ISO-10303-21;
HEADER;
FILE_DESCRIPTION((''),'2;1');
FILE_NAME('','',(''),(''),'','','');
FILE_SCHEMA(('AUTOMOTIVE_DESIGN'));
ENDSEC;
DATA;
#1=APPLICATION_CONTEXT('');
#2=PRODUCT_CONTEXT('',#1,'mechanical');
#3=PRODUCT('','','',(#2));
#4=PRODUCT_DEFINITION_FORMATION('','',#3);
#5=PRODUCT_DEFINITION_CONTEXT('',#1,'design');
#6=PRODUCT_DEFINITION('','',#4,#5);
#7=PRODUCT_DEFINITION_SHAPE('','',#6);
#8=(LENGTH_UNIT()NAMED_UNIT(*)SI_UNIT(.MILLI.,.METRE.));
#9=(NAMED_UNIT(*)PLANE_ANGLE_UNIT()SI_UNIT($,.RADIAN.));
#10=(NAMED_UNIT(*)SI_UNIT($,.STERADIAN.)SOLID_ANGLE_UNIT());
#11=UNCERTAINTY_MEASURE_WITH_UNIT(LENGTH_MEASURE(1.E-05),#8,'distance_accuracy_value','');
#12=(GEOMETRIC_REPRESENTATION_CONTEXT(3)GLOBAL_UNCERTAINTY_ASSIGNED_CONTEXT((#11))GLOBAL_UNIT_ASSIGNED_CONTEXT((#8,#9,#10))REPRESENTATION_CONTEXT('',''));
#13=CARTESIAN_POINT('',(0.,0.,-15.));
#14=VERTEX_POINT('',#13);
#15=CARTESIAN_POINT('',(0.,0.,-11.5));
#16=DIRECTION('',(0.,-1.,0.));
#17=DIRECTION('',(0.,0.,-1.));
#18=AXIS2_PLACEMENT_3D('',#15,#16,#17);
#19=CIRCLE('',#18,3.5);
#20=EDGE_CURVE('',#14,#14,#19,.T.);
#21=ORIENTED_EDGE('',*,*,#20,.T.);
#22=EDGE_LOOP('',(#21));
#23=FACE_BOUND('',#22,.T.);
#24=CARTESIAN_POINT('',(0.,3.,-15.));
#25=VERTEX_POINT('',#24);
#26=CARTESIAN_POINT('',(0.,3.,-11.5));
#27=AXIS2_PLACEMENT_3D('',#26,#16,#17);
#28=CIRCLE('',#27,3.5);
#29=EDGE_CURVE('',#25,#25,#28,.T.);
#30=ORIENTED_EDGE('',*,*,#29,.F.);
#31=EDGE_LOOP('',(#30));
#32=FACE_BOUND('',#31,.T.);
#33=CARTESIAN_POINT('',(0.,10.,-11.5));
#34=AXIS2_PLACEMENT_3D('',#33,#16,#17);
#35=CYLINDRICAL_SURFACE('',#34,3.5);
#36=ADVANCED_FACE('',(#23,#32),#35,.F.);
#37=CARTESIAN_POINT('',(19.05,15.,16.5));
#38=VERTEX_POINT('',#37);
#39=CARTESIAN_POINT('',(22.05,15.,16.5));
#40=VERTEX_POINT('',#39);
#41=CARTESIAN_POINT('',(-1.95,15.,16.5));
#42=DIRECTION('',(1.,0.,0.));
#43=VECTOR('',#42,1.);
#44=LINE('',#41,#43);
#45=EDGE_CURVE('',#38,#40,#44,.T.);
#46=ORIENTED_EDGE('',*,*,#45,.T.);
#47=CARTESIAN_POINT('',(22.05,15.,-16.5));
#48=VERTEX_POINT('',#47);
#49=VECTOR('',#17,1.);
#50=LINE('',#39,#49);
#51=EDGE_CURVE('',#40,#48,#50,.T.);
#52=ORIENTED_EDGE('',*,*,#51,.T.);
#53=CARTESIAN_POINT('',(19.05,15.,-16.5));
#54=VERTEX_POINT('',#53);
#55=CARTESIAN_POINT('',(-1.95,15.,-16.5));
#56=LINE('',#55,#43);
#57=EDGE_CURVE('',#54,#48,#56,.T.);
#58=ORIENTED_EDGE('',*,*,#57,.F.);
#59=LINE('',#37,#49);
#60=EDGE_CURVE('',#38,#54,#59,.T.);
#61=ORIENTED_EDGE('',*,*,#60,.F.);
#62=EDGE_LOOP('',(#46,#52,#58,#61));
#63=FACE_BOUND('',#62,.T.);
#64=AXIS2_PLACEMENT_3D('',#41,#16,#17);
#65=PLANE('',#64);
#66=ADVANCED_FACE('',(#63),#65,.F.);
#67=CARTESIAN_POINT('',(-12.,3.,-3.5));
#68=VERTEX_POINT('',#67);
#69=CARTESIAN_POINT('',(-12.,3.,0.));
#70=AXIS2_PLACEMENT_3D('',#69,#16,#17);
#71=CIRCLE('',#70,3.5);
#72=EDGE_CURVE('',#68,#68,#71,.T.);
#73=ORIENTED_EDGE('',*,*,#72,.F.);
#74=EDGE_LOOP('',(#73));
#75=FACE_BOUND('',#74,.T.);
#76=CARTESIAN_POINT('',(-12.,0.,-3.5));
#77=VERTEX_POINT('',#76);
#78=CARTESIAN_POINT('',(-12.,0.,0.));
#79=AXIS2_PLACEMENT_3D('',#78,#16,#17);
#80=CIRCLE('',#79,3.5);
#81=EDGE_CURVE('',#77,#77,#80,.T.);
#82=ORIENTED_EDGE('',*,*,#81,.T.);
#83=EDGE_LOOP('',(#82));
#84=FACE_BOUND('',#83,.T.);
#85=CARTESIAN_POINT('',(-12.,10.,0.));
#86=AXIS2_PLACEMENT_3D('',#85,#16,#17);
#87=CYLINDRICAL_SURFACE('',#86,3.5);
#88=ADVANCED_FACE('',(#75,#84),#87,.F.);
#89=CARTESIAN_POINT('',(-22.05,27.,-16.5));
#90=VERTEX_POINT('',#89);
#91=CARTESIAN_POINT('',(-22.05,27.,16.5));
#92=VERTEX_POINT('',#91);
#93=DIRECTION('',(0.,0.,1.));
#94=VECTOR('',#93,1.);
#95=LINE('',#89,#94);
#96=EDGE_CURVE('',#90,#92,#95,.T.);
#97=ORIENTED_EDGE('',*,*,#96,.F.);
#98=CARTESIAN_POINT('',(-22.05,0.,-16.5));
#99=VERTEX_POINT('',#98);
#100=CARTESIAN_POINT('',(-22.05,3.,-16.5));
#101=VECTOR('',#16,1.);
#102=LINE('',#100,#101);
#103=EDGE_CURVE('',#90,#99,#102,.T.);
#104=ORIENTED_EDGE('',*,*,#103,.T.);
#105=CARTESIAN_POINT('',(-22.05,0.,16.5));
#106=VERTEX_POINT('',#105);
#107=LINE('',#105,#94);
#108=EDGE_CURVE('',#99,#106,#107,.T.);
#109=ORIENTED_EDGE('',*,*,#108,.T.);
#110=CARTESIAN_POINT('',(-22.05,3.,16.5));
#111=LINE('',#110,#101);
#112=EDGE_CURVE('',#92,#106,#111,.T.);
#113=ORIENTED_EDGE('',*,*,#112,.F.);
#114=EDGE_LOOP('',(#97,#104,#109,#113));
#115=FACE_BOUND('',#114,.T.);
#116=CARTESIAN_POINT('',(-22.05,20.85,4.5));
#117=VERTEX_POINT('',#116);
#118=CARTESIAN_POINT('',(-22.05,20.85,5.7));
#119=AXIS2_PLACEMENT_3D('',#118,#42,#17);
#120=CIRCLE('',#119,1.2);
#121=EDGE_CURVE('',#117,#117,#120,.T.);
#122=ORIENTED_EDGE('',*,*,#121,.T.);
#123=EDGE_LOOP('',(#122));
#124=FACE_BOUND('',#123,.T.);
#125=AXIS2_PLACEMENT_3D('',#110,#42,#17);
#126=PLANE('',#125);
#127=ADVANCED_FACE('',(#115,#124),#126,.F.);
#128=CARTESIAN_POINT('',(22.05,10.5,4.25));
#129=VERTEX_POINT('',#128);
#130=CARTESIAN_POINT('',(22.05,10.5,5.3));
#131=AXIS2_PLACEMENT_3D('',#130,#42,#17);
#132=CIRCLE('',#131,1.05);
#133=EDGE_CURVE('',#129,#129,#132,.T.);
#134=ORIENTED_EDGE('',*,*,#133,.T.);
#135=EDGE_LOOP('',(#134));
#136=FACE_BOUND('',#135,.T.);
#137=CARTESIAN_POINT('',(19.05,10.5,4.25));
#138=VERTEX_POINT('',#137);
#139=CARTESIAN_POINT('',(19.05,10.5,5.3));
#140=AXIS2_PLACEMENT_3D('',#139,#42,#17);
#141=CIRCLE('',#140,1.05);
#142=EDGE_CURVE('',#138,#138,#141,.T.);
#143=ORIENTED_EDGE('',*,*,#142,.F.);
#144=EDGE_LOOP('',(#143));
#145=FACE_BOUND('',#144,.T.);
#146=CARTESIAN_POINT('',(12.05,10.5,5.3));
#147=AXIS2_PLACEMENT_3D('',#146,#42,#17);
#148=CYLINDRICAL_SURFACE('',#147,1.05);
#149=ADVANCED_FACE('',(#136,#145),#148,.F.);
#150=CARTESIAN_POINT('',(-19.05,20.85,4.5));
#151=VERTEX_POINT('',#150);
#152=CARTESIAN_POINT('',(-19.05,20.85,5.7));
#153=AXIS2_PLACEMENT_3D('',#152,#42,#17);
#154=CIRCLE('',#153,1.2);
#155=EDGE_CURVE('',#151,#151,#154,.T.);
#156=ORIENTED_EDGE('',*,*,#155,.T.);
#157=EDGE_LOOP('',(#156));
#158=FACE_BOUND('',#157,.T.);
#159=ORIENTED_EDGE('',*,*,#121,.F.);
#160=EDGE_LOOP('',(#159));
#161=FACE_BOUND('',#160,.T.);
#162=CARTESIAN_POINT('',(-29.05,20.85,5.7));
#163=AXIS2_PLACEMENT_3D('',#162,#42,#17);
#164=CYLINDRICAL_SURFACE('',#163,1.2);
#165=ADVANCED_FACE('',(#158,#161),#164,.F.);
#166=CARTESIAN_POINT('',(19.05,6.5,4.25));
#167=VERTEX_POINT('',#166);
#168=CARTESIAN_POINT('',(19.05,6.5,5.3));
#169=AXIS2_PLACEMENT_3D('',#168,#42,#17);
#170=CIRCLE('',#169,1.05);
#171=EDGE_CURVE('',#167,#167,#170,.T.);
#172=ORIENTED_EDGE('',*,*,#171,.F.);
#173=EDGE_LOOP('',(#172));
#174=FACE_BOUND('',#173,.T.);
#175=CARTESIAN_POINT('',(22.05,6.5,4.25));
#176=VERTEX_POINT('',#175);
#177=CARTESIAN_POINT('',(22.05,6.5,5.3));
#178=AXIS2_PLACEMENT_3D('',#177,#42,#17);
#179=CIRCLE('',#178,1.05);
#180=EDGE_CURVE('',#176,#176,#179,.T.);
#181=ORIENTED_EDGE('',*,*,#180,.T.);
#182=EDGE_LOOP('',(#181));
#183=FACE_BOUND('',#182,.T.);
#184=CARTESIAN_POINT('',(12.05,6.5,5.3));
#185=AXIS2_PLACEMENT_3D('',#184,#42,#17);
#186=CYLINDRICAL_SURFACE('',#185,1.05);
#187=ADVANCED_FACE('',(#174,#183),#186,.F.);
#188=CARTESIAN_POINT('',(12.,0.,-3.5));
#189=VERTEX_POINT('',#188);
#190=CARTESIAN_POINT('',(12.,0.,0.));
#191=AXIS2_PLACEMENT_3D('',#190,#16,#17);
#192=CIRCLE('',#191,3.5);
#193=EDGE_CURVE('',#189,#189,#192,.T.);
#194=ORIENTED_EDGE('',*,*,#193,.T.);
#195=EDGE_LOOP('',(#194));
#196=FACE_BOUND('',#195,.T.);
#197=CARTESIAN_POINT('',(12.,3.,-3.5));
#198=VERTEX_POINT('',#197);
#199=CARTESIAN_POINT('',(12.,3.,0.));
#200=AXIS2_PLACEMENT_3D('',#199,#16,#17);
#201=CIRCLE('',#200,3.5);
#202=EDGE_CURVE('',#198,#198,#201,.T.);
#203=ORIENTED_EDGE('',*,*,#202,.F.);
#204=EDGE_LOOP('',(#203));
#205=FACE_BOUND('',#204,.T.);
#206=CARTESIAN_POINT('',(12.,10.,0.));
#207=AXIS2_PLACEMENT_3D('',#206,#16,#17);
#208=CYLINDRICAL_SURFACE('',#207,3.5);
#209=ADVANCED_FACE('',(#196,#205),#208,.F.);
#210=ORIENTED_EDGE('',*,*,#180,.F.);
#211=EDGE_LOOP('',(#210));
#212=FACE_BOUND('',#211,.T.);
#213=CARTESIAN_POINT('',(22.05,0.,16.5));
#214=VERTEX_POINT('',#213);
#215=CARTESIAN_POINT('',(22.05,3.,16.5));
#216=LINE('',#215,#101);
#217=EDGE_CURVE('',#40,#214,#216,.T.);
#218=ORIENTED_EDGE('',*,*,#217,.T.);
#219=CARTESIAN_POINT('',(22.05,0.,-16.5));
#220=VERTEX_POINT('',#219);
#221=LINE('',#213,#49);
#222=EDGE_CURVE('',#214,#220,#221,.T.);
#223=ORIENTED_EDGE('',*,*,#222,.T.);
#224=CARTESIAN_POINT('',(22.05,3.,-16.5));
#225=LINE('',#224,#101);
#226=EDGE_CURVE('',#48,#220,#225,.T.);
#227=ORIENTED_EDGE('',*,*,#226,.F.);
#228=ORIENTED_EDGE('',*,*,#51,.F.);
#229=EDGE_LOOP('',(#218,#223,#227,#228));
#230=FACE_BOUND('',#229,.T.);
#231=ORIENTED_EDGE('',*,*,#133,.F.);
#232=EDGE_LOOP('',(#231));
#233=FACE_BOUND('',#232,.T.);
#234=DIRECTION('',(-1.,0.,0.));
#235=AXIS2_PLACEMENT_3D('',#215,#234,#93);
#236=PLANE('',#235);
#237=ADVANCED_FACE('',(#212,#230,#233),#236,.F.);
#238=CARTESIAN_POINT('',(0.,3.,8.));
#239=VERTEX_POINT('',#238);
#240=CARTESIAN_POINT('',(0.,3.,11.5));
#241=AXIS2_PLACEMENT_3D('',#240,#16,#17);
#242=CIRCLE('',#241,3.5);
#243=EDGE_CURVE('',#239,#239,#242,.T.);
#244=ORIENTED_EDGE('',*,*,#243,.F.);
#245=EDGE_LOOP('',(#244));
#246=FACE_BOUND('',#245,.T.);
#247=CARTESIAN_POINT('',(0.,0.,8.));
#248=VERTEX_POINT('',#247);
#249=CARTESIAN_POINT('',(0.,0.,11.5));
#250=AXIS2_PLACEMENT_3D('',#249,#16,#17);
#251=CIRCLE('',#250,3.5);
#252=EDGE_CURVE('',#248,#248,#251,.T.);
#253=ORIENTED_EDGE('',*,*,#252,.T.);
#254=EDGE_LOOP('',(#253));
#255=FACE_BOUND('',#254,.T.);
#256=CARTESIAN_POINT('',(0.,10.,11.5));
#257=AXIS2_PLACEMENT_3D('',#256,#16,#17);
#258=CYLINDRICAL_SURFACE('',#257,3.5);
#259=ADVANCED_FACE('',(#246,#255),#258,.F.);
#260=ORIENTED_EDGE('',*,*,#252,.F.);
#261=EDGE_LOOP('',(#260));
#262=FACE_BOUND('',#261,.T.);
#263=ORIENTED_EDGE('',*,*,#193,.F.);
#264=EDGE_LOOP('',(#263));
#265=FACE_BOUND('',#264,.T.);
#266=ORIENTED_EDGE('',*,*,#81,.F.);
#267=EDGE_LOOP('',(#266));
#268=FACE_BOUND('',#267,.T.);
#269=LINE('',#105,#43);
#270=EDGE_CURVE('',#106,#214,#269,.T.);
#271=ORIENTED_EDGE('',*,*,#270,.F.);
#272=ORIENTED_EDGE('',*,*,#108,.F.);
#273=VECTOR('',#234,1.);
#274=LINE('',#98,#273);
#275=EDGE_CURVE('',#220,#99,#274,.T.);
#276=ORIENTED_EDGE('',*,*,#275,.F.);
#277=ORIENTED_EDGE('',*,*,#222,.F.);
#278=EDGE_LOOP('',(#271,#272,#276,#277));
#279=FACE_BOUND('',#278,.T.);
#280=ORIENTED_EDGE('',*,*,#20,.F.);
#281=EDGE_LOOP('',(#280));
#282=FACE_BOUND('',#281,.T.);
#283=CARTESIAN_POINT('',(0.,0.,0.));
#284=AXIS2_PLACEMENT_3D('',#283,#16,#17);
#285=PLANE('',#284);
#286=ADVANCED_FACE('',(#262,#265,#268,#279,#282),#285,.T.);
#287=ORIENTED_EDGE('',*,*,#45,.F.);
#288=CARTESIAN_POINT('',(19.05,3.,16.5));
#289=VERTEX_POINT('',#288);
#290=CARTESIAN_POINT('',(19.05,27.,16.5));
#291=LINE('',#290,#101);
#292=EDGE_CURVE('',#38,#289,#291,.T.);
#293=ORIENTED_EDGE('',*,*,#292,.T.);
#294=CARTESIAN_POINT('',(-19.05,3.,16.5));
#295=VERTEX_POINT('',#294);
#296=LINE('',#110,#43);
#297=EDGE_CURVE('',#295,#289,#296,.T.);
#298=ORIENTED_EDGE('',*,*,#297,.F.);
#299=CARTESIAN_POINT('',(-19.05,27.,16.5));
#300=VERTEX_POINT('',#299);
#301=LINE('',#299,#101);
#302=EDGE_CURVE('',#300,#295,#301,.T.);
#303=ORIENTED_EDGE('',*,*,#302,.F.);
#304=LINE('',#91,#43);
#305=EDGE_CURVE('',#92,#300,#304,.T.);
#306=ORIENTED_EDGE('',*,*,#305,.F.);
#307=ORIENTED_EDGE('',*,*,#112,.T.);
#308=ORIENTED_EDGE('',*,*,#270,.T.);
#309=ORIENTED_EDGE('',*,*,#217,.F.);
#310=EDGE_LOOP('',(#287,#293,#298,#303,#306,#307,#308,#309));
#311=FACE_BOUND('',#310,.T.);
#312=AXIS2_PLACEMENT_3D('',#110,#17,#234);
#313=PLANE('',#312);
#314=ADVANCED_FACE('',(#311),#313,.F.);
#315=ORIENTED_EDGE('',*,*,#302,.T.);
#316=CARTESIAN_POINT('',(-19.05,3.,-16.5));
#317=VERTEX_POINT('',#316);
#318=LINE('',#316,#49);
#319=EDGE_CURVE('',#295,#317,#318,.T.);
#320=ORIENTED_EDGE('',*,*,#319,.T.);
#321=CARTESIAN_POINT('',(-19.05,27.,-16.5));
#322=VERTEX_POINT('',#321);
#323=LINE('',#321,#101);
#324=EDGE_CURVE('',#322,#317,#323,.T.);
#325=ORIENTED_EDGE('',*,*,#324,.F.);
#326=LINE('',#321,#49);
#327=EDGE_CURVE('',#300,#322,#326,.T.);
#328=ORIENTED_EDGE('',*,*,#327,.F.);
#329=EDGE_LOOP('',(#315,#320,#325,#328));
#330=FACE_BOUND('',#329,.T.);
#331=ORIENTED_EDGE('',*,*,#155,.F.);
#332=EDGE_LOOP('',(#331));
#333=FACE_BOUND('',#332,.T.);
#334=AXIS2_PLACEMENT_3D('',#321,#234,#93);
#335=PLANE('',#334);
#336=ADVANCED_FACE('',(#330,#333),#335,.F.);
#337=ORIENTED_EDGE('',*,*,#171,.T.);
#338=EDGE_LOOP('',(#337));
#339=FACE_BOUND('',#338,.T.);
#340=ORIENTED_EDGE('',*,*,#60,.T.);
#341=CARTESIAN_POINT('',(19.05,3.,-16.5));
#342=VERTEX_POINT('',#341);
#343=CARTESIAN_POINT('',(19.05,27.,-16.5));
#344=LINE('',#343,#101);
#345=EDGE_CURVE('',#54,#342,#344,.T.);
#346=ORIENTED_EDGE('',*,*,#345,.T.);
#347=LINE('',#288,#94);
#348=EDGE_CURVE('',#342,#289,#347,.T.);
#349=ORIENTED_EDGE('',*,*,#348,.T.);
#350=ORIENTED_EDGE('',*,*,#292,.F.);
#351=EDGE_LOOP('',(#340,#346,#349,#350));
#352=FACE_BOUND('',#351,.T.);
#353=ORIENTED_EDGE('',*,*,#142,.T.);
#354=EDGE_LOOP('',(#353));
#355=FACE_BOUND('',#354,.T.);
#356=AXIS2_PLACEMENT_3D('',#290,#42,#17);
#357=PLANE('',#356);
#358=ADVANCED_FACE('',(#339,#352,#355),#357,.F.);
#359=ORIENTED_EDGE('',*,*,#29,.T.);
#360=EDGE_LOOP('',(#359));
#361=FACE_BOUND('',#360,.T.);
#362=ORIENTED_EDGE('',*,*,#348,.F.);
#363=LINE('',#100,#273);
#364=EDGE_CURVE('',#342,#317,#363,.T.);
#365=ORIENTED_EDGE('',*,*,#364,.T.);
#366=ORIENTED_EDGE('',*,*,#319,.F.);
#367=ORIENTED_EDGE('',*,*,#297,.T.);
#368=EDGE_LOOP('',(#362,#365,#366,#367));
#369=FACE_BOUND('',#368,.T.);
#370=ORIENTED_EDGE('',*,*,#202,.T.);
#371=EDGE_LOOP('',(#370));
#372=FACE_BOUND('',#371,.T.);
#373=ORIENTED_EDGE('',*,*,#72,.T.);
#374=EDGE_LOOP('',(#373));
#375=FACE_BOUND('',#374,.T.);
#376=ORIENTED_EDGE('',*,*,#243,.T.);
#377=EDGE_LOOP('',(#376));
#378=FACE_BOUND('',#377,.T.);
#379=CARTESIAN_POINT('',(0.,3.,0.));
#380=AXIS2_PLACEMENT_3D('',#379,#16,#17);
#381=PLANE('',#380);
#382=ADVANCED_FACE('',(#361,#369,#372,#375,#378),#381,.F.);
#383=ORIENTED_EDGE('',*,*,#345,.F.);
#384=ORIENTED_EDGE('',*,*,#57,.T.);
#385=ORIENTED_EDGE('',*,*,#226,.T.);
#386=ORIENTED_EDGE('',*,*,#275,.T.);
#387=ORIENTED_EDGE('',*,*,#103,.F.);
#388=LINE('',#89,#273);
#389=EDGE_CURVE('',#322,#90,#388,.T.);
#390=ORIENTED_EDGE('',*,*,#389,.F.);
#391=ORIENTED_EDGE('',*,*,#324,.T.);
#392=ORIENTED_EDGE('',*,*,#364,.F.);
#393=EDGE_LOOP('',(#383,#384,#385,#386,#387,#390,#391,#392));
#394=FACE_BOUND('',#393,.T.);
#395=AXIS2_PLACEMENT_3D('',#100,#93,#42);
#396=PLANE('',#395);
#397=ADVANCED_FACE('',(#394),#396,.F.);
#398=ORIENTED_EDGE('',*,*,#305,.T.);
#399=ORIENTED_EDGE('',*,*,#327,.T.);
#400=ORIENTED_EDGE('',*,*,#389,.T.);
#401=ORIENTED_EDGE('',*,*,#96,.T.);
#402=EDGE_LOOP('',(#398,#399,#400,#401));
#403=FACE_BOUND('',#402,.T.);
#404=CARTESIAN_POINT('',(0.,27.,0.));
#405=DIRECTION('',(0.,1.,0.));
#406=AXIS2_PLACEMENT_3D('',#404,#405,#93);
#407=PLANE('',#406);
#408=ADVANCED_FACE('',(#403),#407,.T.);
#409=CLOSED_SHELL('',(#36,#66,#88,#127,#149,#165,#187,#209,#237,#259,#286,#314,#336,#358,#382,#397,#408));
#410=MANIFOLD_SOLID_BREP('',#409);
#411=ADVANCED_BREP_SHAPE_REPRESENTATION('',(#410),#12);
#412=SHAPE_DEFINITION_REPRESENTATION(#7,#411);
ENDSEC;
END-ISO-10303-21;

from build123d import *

# Parameters (mm, degrees)
SKIZZE1_W                       = 44.1
SKIZZE1_H                       = 33
AUFSATZ_LINEAR_AUSTRAGEN1_DEPTH = 3
SKIZZE2_W                       = 3
SKIZZE2_H                       = 33
AUFSATZ_LINEAR_AUSTRAGEN2_DEPTH = 24
SKIZZE3_W                       = 33
SKIZZE3_H                       = 12
SCHNITT_LINEAR_AUSTRAGEN1_DEPTH = 24
SKIZZE4_R                       = 1.2
SCHNITT_LINEAR_AUSTRAGEN2_DEPTH = 10
SKIZZE5_R                       = 1.05
SCHNITT_LINEAR_AUSTRAGEN3_DEPTH = 10
SKIZZE6_R                       = 3.5
SCHNITT_LINEAR_AUSTRAGEN4_DEPTH = 10


with BuildPart() as part:
    # Skizze1 → Aufsatz-Linear austragen1 (new body)
    with BuildSketch(Plane(origin=(0, 0, 0), x_dir=(1, 0, 0), z_dir=(0, 1, 0))):
        Rectangle(SKIZZE1_W, SKIZZE1_H)
    extrude(amount=AUFSATZ_LINEAR_AUSTRAGEN1_DEPTH)

    # Skizze2 → Aufsatz-Linear austragen2 (add)
    with BuildSketch(Plane(origin=(0, 3, 0), x_dir=(1, 0, 0), z_dir=(0, 1, 0))):
        with Locations((-20.55, 0)):
            Rectangle(SKIZZE2_W, SKIZZE2_H)
        with Locations((20.55, 0)):
            Rectangle(SKIZZE2_W, SKIZZE2_H)
    extrude(amount=AUFSATZ_LINEAR_AUSTRAGEN2_DEPTH)

    # Skizze3 → Schnitt-Linear austragen1 (cut)
    with BuildSketch(Plane(origin=(22.05, 0, 0), x_dir=(0, 0, -1), z_dir=(1, 0, 0))):
        with Locations((0, 21)):
            Rectangle(SKIZZE3_W, SKIZZE3_H)
    extrude(amount=-SCHNITT_LINEAR_AUSTRAGEN1_DEPTH, mode=Mode.SUBTRACT)

    # Skizze4 → Schnitt-Linear austragen2 (cut)
    with BuildSketch(Plane(origin=(-19.05, 0, 0), x_dir=(0, 0, -1), z_dir=(1, 0, 0))):
        with Locations((-5.7, 20.85)):
            Circle(SKIZZE4_R)
    extrude(amount=-SCHNITT_LINEAR_AUSTRAGEN2_DEPTH, mode=Mode.SUBTRACT)

    # Skizze5 → Schnitt-Linear austragen3 (cut)
    with BuildSketch(Plane(origin=(22.05, 0, 0), x_dir=(0, 0, -1), z_dir=(1, 0, 0))):
        with Locations((-5.3, 10.5)):
            Circle(SKIZZE5_R)
        with Locations((-5.3, 6.5)):
            Circle(SKIZZE5_R)
    extrude(amount=-SCHNITT_LINEAR_AUSTRAGEN3_DEPTH, mode=Mode.SUBTRACT)

    # Skizze6 → Schnitt-Linear austragen4 (cut)
    with BuildSketch(Plane.XZ):
        with Locations(Location((-12, 0, 0), (0, 0, 270))):
            Circle(SKIZZE6_R)
        with Locations(Location((0, -11.5, 0), (0, 0, 270))):
            Circle(SKIZZE6_R)
        with Locations(Location((12, 0, 0), (0, 0, 270))):
            Circle(SKIZZE6_R)
        with Locations(Location((0, 11.5, 0), (0, 0, 270))):
            Circle(SKIZZE6_R)
    extrude(amount=-SCHNITT_LINEAR_AUSTRAGEN4_DEPTH, mode=Mode.SUBTRACT)


solid = part.part
